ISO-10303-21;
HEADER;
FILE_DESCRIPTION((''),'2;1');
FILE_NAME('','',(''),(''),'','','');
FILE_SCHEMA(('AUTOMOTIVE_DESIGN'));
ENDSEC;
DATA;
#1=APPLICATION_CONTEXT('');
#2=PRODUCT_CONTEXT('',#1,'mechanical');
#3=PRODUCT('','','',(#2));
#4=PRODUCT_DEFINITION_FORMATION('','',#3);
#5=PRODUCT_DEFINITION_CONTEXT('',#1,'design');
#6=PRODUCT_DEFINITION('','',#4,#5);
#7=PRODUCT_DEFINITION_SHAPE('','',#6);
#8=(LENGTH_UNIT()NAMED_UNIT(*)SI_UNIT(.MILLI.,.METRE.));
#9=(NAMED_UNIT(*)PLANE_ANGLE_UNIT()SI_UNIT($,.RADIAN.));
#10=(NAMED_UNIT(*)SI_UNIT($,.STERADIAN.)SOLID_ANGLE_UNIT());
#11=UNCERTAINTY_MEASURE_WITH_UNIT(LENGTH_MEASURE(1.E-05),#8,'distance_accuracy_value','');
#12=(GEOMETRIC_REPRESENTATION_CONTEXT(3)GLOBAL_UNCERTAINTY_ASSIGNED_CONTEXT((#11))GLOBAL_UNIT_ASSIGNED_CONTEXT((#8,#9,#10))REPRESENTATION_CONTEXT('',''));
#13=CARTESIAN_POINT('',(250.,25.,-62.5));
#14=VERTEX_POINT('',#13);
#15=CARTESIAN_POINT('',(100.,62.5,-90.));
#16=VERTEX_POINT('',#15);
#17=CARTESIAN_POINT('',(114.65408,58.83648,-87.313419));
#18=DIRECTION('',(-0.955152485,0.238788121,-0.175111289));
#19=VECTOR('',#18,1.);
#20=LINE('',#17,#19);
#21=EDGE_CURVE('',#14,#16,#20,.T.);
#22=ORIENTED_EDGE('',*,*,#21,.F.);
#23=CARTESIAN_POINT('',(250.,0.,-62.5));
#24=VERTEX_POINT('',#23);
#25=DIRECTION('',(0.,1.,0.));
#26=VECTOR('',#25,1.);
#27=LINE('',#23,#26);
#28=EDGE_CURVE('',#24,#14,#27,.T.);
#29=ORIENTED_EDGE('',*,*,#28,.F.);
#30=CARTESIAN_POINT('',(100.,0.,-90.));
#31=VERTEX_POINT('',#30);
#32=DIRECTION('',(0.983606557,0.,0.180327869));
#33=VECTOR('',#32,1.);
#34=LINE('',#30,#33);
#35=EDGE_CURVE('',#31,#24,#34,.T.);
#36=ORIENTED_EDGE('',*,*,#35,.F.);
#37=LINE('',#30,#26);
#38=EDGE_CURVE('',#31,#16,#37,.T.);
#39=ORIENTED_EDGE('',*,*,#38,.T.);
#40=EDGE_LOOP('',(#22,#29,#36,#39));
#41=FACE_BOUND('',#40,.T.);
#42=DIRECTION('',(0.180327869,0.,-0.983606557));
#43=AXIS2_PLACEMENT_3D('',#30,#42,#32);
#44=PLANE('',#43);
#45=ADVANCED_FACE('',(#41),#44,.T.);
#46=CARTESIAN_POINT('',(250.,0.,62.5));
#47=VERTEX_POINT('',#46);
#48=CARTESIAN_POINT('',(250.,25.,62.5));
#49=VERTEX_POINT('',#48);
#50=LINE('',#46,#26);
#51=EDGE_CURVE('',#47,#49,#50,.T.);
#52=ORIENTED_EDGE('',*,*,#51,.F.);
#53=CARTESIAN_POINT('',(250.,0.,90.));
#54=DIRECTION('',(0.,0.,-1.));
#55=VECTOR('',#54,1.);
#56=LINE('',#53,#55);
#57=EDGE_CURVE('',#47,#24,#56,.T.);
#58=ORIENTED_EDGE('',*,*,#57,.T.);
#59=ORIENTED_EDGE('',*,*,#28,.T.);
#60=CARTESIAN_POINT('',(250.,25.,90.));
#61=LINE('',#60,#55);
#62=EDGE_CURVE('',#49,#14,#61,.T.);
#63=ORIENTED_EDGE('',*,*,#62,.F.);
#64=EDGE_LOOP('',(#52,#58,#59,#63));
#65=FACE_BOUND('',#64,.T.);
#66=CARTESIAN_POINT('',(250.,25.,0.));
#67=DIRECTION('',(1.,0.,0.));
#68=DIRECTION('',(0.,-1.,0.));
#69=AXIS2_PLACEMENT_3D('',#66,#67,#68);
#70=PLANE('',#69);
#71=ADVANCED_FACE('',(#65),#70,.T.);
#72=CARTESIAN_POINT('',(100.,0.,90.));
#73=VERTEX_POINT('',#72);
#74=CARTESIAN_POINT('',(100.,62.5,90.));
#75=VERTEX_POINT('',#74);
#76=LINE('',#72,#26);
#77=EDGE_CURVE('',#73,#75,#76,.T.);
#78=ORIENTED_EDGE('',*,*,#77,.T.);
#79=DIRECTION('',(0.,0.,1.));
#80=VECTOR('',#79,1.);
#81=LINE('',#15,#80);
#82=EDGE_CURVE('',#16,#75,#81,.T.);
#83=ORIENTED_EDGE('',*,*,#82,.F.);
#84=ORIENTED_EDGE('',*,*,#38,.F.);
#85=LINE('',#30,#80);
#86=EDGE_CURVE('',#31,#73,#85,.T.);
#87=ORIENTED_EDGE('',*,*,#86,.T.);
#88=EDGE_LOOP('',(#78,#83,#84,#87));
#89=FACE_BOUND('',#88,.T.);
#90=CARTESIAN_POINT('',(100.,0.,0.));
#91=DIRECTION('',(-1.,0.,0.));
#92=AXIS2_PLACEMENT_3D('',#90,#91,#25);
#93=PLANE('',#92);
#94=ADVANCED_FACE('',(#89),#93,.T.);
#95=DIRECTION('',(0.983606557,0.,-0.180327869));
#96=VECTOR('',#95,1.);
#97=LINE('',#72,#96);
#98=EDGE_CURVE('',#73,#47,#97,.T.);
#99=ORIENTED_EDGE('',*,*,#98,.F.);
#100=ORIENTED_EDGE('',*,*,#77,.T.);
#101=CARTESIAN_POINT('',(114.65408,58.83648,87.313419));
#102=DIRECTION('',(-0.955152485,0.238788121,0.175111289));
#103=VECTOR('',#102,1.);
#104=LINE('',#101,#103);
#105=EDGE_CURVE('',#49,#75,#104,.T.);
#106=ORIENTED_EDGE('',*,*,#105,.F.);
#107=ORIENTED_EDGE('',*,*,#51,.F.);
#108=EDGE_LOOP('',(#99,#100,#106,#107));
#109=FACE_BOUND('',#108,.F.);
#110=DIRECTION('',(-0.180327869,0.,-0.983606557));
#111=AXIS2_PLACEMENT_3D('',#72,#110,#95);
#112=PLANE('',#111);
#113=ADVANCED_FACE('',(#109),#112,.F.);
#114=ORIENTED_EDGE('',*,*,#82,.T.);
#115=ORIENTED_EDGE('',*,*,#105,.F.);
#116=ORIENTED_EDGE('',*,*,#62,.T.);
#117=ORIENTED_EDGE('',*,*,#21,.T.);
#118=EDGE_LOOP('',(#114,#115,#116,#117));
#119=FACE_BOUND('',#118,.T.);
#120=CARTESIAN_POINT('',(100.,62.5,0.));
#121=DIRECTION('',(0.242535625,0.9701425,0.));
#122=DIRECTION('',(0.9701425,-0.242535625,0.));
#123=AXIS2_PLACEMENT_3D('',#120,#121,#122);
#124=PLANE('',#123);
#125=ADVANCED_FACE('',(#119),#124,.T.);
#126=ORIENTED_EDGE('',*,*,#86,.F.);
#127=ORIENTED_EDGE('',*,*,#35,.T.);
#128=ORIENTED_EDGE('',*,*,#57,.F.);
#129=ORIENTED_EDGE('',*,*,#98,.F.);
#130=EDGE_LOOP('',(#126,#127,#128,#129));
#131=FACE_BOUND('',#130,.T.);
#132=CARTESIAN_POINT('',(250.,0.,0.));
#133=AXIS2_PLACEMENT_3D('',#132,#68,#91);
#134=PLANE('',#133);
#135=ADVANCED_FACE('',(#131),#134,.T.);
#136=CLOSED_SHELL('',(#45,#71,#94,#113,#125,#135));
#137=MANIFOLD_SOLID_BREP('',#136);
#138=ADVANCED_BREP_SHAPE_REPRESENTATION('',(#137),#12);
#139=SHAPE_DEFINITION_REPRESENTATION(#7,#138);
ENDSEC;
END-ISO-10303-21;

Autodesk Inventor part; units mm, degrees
ref_plane "YZ Plane" through (0, 0, 0) normal (1, 0, 0) x (0, 1, 0)
ref_plane "XZ Plane" through (0, 0, 0) normal (0, 1, 0) x (-1, 0, 0)
ref_plane "XY Plane" through (0, 0, 0) normal (0, 0, 1) x (1, 0, 0)
sketch "Sketch1" plane through (0, 0, 0) normal (0, 0, 1) x (1, 0, 0)
  line L0 (100, 62.5) -> (250, 25)
  line L1 (250, 25) -> (250, 0)
  line L2 (250, 0) -> (100, 0)
  line L3 (100, 0) -> (100, 62.5)
  line L4 (-50, 0) -> (300, 0) construction
  point P0 (0, 0)
  dimension "d0" = 62.5
  dimension "d1" = 150
  dimension "d2" = 25
  dimension "d8" = 100
extrude "Extrusion1" add sketch "Sketch1" along normal mid plane 180
sketch "Sketch2" plane through (100, 0, 90) normal (0, -1, 0) x (1, 0, 0)
  line L0 (150, -180) -> (150, 0) projected
  line L1 (0, 0) -> (150, 0) projected
  line L2 (0, 0) -> (0, -180) projected
  line L3 (150, -180) -> (0, -180) projected
  line L4 (0, 0) -> (150, -27.5)
  line L5 (0, -180) -> (0, 0) projected
  line L6 (0, -90) -> (150, -90) construction
  line L7 (0, -180) -> (150, -152.5)
  point P0 (-100, -90)
  point P1 (150, -152.5)
  dimension "d5" = 62.5
extrude "Extrusion2" cut sketch "Sketch2" against normal through all contours L3 L7 L0 | L4 L1 L0
properties part number "finger" material "ABS Plastic"
